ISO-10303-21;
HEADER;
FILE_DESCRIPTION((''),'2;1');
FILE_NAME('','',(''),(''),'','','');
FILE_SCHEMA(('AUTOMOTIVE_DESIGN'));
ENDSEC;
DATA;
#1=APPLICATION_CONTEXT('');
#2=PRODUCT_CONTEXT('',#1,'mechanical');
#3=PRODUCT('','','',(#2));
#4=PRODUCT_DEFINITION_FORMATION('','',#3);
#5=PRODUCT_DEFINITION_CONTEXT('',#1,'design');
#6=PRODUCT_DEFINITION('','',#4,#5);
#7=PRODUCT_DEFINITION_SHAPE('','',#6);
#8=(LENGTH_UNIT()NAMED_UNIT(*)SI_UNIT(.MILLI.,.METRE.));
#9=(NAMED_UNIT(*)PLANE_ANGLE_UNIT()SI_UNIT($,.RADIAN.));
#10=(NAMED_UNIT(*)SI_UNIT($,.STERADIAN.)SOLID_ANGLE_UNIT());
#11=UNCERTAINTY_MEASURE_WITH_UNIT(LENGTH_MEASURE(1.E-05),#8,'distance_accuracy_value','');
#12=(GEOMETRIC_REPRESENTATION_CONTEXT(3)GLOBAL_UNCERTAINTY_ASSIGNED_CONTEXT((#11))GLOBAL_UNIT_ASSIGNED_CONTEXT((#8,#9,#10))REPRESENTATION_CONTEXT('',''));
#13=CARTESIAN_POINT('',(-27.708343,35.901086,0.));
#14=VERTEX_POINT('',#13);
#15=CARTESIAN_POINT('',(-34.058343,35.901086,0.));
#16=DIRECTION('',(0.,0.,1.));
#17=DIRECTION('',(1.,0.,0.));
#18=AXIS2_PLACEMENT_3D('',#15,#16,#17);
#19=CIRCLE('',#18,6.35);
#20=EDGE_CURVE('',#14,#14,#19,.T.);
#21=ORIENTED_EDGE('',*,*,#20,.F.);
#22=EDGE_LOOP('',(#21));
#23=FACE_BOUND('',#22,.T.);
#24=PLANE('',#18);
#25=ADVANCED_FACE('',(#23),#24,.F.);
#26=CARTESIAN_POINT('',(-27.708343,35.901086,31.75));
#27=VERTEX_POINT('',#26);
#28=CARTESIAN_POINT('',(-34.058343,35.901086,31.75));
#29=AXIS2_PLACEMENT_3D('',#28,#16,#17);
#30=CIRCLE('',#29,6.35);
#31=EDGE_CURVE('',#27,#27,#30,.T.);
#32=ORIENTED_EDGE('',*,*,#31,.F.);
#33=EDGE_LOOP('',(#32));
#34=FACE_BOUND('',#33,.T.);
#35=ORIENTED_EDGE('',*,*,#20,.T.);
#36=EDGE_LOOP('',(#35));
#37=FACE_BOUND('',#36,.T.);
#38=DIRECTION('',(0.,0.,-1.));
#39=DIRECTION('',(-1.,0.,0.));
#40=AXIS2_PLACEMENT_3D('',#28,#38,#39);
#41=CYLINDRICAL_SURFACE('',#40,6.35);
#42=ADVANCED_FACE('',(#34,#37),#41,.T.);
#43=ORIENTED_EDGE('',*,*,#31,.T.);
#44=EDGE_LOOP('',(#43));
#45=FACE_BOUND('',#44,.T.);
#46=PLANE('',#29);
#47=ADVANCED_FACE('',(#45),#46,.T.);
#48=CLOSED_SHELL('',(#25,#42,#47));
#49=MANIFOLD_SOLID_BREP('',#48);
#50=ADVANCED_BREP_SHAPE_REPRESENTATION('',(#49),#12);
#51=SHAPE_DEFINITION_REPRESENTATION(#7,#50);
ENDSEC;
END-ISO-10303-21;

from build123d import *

# Parameters (mm, degrees)
SKETCH1_R           = 6.35
BOSS_EXTRUDE1_DEPTH = 31.75


with BuildPart() as part:
    # Sketch1 → Boss-Extrude1 (new body)
    with BuildSketch(Plane.XY):
        with Locations((-34.058343107, 35.901085714)):
            Circle(SKETCH1_R)
    extrude(amount=BOSS_EXTRUDE1_DEPTH)


solid = part.part
